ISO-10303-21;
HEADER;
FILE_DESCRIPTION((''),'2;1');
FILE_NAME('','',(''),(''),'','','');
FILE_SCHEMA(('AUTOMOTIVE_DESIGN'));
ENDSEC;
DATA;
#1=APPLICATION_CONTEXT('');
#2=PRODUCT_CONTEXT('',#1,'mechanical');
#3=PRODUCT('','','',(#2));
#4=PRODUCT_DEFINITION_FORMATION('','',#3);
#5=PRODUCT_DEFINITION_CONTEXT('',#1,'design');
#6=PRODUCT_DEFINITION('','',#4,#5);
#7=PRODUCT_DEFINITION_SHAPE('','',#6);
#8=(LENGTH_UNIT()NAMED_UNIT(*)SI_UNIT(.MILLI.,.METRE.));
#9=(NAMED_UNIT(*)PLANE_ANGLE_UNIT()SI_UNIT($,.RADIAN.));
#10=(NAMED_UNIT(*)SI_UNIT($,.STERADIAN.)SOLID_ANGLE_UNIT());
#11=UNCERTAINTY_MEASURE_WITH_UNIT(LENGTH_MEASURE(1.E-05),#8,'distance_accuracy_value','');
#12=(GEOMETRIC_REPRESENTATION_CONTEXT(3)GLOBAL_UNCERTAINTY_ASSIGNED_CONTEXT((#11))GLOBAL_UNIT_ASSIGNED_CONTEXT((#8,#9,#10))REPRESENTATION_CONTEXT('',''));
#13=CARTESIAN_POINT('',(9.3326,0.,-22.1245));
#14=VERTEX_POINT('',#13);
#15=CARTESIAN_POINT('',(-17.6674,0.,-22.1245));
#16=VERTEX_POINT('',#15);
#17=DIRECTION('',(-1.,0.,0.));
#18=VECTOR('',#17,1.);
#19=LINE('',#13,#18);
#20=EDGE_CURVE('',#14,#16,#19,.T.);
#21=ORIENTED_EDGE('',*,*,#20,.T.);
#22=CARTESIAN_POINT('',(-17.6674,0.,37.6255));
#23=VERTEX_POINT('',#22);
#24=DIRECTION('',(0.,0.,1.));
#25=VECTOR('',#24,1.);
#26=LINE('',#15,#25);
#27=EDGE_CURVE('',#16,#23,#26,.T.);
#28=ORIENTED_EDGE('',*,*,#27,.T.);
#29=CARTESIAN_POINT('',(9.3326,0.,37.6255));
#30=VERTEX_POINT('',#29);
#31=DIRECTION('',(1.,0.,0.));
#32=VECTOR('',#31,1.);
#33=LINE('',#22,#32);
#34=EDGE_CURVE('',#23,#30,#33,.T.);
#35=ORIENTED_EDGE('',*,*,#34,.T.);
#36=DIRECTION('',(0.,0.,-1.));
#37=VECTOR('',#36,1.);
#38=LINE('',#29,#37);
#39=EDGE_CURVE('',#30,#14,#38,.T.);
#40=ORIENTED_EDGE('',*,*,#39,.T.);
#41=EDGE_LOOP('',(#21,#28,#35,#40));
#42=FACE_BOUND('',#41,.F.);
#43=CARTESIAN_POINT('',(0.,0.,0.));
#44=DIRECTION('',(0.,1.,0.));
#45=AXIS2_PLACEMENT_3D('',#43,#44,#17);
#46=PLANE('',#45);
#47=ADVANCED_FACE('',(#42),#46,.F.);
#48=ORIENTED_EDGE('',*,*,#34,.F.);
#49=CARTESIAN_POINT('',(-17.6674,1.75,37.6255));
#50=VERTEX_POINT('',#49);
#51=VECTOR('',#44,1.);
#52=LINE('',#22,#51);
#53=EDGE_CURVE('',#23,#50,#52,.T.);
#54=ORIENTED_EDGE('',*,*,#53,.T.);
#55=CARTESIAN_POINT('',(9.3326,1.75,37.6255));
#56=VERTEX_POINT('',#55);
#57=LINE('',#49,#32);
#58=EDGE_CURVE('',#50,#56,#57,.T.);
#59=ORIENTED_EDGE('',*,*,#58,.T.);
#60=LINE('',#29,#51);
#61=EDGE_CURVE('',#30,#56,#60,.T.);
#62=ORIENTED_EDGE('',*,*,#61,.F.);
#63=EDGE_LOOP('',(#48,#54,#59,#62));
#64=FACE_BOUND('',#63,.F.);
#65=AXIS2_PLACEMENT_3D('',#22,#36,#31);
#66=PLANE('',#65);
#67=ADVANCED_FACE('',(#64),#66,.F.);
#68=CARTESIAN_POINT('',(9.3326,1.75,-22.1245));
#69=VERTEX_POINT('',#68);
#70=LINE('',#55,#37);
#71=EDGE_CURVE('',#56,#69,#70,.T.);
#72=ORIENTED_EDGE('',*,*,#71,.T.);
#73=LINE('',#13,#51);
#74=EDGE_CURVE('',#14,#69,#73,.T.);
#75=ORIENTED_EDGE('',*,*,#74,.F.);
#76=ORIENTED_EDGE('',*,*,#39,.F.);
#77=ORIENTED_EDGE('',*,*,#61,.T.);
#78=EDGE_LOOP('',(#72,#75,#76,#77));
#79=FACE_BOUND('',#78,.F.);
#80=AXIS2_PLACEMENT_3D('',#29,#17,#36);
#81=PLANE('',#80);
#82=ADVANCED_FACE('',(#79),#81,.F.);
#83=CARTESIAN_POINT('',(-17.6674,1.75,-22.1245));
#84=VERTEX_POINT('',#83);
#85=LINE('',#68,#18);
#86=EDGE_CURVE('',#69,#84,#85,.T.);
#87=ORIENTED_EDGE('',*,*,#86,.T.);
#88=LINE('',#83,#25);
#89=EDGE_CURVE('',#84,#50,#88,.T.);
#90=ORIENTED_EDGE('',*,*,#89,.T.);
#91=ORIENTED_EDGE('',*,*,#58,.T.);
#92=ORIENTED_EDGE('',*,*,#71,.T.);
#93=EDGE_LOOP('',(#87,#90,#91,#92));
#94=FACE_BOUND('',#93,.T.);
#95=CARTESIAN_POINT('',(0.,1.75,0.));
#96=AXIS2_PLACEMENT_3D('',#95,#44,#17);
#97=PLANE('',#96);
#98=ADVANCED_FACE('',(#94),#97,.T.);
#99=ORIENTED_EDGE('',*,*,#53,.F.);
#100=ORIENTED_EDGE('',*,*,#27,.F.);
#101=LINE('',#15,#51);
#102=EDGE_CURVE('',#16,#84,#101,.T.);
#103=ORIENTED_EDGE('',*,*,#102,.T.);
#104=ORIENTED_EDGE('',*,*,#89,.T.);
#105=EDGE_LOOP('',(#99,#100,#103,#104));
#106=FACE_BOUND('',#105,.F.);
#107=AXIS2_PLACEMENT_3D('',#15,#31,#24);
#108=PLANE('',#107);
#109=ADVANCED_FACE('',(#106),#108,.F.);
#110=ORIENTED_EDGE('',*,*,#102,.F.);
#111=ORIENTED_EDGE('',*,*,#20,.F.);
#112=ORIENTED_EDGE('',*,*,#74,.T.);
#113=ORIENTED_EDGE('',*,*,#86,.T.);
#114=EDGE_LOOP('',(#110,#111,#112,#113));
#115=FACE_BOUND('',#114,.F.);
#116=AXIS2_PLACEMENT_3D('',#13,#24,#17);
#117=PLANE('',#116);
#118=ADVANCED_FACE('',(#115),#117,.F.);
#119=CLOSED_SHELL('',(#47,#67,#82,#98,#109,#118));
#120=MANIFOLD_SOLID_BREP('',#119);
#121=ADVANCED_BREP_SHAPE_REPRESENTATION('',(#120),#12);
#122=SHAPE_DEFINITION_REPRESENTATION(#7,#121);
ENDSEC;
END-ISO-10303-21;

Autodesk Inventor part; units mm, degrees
ref_plane "YZ Plane" through (0, 0, 0) normal (1, 0, 0) x (0, 1, 0)
ref_plane "XZ Plane" through (0, 0, 0) normal (0, 1, 0) x (-1, 0, 0)
ref_plane "XY Plane" through (0, 0, 0) normal (0, 0, 1) x (1, 0, 0)
sketch "Sketch1" plane through (0, 0, 0) normal (0, 1, 0) x (-1, 0, 0)
  line L0 (17.6674, 37.6255) -> (-9.3326, 37.6255)
  line L1 (-9.3326, 37.6255) -> (-9.3326, -22.1245)
  line L2 (-9.3326, -22.1245) -> (17.6674, -22.1245)
  line L3 (17.6674, -22.1245) -> (17.6674, 37.6255)
  point P0 (0, 0)
  dimension "d0" = 59.75
  dimension "d1" = 27
extrude "Extrusion1" add sketch "Sketch1" along normal blind 1.75
properties part number "batterilock"
